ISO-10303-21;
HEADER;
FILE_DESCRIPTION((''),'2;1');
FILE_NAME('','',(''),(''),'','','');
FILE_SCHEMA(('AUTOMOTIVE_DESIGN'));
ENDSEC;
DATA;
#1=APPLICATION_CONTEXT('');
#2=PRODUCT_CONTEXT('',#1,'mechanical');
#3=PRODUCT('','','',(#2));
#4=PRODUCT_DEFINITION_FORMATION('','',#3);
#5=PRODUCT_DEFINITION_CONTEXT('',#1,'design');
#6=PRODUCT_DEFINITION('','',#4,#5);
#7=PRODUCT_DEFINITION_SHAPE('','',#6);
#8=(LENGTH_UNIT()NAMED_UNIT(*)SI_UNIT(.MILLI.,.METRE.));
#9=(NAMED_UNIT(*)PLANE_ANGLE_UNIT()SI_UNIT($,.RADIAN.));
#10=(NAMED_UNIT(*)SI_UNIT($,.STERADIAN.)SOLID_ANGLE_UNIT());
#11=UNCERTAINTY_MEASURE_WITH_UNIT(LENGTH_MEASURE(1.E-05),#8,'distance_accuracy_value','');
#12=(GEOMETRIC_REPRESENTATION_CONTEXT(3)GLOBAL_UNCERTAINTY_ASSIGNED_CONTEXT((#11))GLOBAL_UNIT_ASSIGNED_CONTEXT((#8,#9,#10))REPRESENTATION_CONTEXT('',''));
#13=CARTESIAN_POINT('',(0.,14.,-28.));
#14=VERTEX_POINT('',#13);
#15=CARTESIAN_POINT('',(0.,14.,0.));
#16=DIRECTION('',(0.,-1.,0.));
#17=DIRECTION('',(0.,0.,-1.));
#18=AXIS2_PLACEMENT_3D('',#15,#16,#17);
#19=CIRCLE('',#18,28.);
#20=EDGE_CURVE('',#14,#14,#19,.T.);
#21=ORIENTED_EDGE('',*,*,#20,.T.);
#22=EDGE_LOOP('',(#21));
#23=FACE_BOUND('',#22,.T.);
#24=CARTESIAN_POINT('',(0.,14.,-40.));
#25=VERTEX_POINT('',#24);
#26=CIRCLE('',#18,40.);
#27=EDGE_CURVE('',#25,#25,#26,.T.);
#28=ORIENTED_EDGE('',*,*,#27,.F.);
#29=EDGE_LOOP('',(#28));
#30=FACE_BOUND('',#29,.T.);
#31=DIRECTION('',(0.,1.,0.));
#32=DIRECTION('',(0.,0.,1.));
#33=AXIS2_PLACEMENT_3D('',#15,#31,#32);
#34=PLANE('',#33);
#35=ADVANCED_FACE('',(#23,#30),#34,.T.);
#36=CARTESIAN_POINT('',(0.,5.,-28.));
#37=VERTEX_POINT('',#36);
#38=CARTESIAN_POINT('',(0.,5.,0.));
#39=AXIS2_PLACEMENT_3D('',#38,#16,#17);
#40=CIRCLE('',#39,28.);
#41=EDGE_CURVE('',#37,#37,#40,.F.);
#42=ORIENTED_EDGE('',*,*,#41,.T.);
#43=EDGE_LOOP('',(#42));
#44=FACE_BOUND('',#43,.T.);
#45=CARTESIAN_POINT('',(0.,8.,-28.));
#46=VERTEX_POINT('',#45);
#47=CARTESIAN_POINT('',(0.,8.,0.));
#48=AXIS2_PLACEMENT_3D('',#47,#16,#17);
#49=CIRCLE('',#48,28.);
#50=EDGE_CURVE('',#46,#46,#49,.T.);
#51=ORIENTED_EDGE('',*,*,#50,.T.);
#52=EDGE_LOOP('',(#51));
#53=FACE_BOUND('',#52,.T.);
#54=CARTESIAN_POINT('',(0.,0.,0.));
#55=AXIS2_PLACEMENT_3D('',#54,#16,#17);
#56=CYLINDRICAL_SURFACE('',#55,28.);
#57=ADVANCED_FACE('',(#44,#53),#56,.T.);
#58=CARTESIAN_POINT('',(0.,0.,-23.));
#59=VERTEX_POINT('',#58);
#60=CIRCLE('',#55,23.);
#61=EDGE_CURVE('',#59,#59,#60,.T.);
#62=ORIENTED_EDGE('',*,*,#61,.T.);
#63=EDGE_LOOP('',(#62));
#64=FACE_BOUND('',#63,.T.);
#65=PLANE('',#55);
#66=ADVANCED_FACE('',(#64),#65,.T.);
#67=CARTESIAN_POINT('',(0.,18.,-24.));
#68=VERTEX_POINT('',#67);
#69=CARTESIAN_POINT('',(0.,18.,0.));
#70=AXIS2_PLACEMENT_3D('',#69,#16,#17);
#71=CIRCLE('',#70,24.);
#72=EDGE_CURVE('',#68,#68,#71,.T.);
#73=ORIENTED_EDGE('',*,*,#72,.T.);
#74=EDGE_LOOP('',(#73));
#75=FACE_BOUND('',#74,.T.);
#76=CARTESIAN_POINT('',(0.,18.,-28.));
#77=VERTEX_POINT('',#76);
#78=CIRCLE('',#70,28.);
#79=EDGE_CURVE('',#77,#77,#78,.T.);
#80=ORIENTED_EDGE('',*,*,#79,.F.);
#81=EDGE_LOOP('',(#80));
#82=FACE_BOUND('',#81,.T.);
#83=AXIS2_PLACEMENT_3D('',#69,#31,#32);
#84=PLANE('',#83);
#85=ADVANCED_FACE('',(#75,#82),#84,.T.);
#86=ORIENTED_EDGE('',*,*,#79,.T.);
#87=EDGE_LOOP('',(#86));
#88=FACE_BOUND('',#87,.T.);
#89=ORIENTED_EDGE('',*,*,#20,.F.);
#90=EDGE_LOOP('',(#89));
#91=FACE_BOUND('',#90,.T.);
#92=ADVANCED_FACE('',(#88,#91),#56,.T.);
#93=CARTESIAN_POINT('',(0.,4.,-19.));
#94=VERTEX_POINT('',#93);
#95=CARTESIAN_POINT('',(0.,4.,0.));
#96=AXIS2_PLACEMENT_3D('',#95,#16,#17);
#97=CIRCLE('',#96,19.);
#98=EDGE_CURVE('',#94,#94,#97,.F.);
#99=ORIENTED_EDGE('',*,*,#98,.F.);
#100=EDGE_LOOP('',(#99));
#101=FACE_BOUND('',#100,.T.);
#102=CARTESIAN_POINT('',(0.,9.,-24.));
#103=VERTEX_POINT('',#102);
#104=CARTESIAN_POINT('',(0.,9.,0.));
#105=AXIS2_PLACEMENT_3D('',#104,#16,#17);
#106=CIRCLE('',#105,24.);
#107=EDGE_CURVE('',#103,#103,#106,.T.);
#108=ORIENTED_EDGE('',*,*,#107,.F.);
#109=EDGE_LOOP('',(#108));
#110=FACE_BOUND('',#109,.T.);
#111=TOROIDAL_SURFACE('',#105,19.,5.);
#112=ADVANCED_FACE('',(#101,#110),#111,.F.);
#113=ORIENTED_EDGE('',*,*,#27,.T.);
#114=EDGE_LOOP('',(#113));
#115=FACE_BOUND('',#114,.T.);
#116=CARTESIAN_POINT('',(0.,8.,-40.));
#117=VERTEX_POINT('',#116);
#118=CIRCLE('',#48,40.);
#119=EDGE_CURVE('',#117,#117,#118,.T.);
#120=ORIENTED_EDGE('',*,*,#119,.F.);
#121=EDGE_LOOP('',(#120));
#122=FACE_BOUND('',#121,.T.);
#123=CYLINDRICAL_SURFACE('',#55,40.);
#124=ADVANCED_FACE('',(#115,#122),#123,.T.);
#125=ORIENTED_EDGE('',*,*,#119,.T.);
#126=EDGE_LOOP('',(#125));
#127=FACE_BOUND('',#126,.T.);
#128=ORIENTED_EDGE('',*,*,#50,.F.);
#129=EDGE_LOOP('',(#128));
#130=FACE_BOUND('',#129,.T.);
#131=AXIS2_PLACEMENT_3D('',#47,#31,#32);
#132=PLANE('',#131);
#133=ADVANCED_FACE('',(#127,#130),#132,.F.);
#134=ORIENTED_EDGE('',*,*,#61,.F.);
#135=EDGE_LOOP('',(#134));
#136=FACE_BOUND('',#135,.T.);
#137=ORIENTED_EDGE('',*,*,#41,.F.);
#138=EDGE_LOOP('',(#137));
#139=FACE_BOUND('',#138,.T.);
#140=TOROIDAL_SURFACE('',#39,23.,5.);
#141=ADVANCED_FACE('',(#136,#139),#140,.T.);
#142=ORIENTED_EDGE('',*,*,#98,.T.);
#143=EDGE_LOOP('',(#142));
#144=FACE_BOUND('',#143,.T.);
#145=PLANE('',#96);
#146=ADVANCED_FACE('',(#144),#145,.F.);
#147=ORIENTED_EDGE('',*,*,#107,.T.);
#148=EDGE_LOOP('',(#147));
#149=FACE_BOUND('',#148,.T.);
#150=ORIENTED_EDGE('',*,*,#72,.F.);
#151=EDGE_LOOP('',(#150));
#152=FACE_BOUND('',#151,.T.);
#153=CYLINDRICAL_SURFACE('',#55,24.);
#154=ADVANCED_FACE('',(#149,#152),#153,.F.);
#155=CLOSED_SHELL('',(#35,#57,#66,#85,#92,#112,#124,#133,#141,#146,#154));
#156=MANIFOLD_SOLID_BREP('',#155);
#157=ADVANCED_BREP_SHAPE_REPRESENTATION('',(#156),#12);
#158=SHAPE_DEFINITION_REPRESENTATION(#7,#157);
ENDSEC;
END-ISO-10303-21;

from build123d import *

# Parameters (mm, degrees)
REDONDEO1_R = 5


with BuildPart() as part:
    # Croquis2 → Revolución2 (revolve)
    with BuildSketch(Plane.XY, mode=Mode.PRIVATE) as revoluci_n2_sk:
        Polygon((-24, 18), (-24, 4), (0, 4), (0, 0), (-28, 0), (-28, 8), (-40, 8), (-40, 14), (-28, 14), (-28, 18), align=None)
    revolve(revoluci_n2_sk.sketch.rotate(Axis((0, 0, 0), (0, 1, 0)), 270), axis=Axis((0, 0, 0), (0, 1, 0)))

    # Redondeo1
    redondeo1_edges = [part.edges().sort_by_distance(p)[0] for p in [
        (0, 0, 28),
        (0, 4, 24),
    ]]
    fillet(redondeo1_edges, radius=REDONDEO1_R)


solid = part.part
